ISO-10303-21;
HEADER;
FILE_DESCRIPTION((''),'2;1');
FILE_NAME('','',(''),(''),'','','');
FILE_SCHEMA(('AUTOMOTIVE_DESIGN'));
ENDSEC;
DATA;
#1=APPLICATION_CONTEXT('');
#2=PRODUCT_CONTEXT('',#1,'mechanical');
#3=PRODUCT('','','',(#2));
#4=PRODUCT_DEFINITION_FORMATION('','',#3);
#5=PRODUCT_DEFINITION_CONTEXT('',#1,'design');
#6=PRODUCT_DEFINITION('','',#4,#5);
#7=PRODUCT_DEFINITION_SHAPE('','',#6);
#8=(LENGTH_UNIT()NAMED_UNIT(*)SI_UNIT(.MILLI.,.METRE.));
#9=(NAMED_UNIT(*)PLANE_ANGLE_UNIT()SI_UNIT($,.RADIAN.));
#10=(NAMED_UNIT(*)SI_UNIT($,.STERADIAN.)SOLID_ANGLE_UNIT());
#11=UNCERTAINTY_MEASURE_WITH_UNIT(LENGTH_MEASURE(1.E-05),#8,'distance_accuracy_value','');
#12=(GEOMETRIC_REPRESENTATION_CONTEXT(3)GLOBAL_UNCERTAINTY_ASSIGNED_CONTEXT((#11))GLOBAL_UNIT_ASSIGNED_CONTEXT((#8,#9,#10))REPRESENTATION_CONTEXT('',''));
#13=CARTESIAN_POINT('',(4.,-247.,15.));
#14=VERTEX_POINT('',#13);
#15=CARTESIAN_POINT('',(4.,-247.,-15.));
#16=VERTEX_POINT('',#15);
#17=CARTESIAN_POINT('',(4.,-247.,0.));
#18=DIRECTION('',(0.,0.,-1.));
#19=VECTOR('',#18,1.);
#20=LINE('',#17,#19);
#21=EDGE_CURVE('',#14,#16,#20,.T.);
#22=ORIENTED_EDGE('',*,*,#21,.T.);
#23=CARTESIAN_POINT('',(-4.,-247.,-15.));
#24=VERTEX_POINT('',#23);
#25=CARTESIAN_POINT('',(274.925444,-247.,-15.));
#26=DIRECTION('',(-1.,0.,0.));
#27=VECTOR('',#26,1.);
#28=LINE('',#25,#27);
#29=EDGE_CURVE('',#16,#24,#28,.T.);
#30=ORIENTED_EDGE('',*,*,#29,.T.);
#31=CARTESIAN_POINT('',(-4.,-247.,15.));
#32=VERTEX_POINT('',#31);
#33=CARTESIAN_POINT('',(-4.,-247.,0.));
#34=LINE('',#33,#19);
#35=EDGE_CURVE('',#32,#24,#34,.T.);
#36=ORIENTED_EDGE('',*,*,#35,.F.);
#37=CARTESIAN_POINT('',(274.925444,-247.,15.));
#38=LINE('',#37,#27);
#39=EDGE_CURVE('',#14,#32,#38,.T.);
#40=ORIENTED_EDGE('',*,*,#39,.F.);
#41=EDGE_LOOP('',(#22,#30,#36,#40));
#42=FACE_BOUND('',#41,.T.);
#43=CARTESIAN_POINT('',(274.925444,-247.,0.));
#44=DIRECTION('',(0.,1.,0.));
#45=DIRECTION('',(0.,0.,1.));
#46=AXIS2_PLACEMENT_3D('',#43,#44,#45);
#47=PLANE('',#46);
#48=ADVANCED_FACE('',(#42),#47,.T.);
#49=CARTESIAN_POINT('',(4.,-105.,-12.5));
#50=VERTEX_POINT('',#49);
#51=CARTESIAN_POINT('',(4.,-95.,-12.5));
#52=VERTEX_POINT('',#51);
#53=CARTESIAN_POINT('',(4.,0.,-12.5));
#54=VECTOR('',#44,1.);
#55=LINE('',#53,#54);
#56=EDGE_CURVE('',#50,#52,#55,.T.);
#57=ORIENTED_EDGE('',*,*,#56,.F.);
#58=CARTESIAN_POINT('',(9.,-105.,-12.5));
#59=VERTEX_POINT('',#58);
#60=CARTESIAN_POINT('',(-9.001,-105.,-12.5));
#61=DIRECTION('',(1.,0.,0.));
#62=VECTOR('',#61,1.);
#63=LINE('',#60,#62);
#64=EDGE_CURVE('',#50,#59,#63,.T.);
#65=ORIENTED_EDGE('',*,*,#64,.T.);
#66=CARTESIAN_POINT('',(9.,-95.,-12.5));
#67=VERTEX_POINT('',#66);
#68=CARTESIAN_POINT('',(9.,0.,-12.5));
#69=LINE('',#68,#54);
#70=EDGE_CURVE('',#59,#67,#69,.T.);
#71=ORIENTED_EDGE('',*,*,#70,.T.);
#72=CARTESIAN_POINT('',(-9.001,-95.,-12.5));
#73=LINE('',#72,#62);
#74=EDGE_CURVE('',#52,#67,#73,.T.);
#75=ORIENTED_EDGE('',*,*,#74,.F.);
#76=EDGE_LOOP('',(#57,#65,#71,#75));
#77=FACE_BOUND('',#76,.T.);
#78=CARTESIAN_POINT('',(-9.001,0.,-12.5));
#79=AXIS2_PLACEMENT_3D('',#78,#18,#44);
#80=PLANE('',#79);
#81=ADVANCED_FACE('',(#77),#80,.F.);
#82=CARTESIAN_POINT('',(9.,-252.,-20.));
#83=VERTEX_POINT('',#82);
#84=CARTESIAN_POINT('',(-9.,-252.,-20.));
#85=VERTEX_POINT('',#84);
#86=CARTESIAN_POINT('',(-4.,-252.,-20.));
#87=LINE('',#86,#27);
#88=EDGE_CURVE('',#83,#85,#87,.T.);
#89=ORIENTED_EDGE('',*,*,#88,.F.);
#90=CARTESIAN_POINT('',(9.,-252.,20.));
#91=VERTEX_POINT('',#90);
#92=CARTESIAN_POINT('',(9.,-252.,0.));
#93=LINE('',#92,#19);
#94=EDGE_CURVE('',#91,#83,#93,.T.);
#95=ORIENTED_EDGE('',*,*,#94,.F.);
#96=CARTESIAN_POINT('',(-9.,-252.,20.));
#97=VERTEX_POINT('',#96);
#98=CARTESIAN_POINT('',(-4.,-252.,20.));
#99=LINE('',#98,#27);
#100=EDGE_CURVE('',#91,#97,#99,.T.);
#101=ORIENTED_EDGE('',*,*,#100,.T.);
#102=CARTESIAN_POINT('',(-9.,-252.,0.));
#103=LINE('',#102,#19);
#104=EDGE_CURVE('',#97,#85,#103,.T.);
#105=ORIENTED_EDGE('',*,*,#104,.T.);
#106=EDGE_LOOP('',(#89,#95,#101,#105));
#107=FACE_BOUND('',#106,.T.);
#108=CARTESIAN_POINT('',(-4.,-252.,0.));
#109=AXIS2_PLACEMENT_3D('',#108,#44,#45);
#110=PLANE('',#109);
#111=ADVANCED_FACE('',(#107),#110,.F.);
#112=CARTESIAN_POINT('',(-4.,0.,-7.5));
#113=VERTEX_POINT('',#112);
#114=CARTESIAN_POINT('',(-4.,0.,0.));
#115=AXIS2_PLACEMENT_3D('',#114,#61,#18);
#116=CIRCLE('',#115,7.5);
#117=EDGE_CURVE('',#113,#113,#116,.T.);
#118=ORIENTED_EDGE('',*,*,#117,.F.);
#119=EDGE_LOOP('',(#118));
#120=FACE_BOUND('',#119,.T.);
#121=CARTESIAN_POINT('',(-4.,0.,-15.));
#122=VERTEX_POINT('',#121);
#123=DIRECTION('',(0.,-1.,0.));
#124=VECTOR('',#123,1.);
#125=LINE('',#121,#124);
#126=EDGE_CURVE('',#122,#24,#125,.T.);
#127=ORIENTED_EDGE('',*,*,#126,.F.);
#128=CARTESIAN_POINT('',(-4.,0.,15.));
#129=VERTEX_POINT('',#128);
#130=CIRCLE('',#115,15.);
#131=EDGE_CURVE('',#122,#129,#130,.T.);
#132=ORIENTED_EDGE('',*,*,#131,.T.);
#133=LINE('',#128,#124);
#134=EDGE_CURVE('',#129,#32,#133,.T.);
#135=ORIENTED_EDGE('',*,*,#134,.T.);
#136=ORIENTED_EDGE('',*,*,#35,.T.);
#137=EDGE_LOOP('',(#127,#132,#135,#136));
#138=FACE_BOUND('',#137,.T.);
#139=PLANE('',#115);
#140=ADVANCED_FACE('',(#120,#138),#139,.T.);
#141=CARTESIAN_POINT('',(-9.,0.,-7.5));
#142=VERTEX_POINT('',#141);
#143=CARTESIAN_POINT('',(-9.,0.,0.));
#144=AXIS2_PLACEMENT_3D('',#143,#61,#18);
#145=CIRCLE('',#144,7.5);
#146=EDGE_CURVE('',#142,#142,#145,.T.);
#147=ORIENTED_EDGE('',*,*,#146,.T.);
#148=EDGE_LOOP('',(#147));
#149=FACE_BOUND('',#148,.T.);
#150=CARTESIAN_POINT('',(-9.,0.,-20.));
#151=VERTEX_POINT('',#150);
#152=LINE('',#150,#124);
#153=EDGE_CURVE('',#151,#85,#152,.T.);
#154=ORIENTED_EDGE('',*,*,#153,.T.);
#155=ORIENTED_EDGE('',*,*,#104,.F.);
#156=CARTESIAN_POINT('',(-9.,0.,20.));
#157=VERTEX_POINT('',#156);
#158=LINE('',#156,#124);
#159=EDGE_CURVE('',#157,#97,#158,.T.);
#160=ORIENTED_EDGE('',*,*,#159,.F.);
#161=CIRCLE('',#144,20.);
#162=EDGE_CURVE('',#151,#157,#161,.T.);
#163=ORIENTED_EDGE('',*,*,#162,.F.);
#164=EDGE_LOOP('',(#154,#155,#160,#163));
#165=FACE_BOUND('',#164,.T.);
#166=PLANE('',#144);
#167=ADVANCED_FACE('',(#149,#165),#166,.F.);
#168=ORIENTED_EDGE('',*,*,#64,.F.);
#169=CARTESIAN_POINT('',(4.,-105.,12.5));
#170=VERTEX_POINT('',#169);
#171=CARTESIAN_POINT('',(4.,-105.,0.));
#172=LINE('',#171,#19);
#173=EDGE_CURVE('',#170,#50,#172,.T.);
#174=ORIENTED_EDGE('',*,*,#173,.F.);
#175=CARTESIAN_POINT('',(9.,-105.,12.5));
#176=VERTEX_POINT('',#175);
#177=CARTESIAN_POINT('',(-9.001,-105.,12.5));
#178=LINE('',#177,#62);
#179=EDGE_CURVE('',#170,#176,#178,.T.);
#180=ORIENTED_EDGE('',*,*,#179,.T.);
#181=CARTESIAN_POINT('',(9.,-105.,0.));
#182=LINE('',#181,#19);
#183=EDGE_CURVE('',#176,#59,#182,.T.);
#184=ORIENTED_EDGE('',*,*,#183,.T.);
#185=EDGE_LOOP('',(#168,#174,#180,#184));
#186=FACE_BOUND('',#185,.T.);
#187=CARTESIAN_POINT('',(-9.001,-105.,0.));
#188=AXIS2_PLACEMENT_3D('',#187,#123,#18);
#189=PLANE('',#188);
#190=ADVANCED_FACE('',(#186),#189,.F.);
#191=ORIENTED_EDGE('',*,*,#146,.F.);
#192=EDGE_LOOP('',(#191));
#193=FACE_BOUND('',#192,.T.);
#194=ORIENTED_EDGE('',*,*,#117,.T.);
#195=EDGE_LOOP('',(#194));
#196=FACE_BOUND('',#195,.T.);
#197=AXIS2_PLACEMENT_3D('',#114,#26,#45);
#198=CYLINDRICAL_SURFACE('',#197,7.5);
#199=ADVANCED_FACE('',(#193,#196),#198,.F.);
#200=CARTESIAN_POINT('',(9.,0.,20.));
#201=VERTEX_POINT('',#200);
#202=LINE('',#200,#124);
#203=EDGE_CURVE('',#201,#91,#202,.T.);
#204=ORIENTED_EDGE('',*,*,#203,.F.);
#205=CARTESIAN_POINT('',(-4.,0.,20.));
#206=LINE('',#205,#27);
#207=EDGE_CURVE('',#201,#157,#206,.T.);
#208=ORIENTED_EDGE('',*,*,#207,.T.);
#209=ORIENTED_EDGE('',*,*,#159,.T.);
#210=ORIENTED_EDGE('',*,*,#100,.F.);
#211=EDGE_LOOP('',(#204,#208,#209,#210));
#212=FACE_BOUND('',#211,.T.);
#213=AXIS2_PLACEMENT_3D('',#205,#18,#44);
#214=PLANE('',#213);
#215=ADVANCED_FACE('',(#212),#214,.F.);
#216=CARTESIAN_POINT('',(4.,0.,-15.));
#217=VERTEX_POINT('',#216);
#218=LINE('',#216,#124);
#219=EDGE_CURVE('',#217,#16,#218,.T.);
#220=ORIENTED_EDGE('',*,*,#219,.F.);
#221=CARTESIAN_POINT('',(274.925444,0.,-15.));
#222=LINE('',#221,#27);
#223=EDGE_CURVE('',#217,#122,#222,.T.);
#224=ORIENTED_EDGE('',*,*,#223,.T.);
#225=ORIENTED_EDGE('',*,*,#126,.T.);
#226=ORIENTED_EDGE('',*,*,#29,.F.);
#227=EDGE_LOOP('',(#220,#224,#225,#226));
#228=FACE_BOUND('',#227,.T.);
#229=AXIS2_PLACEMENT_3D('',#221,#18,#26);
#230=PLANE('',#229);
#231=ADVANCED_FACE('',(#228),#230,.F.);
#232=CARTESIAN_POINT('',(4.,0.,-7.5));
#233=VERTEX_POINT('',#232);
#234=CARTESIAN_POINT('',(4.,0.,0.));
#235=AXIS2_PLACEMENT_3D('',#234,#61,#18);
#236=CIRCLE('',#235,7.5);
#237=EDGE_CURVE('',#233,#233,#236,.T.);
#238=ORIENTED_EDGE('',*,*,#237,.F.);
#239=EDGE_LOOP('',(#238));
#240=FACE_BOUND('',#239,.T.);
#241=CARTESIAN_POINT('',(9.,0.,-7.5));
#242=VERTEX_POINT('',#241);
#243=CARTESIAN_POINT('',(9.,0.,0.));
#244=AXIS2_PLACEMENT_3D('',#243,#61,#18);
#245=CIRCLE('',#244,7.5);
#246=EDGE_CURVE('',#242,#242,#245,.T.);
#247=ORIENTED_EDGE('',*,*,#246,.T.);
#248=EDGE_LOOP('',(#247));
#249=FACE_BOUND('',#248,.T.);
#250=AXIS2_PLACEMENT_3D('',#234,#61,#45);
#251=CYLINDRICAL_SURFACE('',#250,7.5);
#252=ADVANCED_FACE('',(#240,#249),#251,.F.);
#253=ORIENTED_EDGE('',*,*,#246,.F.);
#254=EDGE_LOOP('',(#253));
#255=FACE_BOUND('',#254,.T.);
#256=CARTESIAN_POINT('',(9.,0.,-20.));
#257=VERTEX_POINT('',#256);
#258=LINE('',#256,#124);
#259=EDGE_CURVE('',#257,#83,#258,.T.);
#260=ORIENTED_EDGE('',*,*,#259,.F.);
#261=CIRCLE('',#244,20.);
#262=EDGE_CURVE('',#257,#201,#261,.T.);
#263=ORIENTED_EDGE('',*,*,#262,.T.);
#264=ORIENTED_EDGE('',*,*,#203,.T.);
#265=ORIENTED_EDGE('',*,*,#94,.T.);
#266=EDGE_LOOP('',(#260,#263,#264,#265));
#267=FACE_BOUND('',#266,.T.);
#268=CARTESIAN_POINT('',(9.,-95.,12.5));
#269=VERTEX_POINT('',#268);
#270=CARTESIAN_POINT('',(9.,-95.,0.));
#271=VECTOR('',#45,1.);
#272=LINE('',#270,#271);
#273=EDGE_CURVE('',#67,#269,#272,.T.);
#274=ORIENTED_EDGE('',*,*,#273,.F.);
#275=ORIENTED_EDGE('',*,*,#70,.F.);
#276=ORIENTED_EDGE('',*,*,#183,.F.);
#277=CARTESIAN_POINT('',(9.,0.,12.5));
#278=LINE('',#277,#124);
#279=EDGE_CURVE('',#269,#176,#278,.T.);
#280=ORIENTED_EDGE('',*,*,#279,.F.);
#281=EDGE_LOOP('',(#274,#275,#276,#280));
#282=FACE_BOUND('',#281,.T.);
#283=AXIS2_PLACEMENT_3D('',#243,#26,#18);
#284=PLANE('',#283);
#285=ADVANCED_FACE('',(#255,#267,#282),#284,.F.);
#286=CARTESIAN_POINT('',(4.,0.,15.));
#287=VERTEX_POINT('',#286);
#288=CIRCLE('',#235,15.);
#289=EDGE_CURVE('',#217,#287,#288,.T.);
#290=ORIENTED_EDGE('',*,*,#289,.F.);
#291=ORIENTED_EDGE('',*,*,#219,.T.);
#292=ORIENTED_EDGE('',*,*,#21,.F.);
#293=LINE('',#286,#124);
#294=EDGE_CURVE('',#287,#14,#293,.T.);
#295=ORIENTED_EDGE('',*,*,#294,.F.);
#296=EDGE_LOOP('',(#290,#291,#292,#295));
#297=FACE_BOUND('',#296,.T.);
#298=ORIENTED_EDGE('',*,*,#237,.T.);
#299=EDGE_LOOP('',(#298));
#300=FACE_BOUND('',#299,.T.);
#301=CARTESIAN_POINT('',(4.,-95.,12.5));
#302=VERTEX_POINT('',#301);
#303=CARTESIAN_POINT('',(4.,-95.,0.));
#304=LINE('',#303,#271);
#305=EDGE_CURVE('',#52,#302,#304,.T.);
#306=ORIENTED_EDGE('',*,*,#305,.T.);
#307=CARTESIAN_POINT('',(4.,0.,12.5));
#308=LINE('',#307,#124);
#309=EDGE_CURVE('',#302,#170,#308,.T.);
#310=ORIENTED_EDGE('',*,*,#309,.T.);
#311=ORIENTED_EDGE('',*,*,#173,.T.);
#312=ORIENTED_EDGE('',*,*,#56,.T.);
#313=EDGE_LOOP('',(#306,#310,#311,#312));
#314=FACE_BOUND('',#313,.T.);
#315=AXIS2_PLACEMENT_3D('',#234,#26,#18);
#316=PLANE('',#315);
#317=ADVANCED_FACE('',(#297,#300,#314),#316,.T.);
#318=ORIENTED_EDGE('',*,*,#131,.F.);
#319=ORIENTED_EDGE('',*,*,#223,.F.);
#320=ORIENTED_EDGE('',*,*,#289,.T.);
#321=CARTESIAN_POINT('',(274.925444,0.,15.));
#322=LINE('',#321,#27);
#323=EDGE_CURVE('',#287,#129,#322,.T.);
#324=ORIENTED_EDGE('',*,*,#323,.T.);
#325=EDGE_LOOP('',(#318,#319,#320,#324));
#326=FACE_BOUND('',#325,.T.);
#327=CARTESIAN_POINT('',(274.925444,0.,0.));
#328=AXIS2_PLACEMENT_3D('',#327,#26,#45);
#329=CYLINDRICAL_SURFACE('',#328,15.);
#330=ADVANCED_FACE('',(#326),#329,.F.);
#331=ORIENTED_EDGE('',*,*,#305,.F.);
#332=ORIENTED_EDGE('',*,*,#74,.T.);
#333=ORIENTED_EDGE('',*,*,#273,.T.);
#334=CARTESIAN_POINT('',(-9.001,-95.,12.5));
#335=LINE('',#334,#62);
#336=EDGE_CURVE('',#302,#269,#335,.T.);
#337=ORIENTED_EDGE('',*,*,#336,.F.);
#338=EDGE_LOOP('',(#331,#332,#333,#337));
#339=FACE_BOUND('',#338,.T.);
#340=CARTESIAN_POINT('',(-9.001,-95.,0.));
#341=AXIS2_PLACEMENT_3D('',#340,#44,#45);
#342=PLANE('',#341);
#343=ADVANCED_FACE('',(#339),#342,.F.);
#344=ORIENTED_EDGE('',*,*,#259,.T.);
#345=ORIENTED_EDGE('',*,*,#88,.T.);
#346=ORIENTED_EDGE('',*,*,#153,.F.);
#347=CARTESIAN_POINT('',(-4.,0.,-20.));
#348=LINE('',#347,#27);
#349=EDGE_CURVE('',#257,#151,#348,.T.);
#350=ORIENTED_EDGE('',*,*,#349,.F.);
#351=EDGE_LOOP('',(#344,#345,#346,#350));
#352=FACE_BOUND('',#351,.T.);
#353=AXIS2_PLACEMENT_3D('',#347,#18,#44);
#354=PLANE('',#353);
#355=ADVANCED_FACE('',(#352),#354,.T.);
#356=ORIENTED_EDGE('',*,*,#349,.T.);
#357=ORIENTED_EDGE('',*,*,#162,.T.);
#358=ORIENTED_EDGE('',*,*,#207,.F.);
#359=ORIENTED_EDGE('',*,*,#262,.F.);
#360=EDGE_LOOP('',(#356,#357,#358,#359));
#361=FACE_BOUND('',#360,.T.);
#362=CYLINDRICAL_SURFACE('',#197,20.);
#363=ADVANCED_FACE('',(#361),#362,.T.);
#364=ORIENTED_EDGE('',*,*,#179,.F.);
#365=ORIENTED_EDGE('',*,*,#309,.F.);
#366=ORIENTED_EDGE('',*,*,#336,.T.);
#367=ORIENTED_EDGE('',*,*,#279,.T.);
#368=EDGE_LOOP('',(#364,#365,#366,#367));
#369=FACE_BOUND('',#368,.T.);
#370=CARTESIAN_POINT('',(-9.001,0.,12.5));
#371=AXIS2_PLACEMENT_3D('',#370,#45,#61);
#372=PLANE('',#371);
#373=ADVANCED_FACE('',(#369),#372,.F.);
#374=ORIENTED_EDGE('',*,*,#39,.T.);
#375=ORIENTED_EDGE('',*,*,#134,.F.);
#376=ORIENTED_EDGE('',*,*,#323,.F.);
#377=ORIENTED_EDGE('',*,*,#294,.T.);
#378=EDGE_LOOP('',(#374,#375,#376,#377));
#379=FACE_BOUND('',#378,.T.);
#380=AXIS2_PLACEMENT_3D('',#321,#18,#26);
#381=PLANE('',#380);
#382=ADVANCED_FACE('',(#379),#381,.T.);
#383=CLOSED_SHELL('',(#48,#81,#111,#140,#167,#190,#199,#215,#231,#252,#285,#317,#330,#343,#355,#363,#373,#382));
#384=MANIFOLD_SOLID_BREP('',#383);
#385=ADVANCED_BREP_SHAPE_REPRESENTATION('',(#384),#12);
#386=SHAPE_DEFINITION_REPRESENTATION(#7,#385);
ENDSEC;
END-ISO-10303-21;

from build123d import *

# Parameters (mm, degrees)
BOSS_EXTRUDE1_START = -9
SKETCH2_R           = 7.5
BOSS_EXTRUDE1_DEPTH = 5
BOSS_EXTRUDE2_START = -4
BOSS_EXTRUDE2_DEPTH = 4
CUT_EXTRUDE1_START  = 4
SKETCH4_W           = 25
SKETCH4_H           = 10
CUT_EXTRUDE1_DEPTH  = 5


with BuildPart() as part:
    # Sketch2 → Boss-Extrude1 (new body)
    with BuildSketch(Plane(origin=(0, 0, 0), x_dir=(0, 0, -1), z_dir=(1, 0, 0)).offset(BOSS_EXTRUDE1_START)):
        with BuildLine():
            Line((-20, 0), (-20, -252))
            Line((-20, -252), (20, -252))
            Line((20, -252), (20, 0))
            ThreePointArc((20, 0), (0, 20), (-20, 0))
        make_face()
        Circle(SKETCH2_R, mode=Mode.SUBTRACT)
    extrude(amount=BOSS_EXTRUDE1_DEPTH)

    # Sketch2<6> → Boss-Extrude2 (add)
    with BuildSketch(Plane(origin=(0, 0, 0), x_dir=(0, 0, -1), z_dir=(1, 0, 0)).offset(BOSS_EXTRUDE2_START)):
        with BuildLine():
            Line((-20, 0), (-20, -252))
            Line((-20, -252), (20, -252))
            Line((20, -252), (20, 0))
            ThreePointArc((20, 0), (0, 20), (-20, 0))
        make_face()
        with BuildLine():
            Line((-15, 0), (-15, -247))
            Line((-15, -247), (15, -247))
            Line((15, -247), (15, 0))
            ThreePointArc((15, 0), (0, 15), (-15, 0))
        make_face(mode=Mode.SUBTRACT)
    extrude(amount=BOSS_EXTRUDE2_DEPTH)

    # Mirror1: part across plane


with BuildPart() as part_1:
    add(part.part)
    add(part.part.mirror(Plane(origin=(0, 0, 0), x_dir=(0, 0, 1), z_dir=(1, 0, 0))))

    # Sketch4 → Cut-Extrude1 (cut)
    with BuildSketch(Plane(origin=(0, 0, 0), x_dir=(0, 0, -1), z_dir=(1, 0, 0)).offset(CUT_EXTRUDE1_START)):
        with Locations((0, -100)):
            Rectangle(SKETCH4_W, SKETCH4_H)
    extrude(amount=CUT_EXTRUDE1_DEPTH, mode=Mode.SUBTRACT)


solid = part_1.part
